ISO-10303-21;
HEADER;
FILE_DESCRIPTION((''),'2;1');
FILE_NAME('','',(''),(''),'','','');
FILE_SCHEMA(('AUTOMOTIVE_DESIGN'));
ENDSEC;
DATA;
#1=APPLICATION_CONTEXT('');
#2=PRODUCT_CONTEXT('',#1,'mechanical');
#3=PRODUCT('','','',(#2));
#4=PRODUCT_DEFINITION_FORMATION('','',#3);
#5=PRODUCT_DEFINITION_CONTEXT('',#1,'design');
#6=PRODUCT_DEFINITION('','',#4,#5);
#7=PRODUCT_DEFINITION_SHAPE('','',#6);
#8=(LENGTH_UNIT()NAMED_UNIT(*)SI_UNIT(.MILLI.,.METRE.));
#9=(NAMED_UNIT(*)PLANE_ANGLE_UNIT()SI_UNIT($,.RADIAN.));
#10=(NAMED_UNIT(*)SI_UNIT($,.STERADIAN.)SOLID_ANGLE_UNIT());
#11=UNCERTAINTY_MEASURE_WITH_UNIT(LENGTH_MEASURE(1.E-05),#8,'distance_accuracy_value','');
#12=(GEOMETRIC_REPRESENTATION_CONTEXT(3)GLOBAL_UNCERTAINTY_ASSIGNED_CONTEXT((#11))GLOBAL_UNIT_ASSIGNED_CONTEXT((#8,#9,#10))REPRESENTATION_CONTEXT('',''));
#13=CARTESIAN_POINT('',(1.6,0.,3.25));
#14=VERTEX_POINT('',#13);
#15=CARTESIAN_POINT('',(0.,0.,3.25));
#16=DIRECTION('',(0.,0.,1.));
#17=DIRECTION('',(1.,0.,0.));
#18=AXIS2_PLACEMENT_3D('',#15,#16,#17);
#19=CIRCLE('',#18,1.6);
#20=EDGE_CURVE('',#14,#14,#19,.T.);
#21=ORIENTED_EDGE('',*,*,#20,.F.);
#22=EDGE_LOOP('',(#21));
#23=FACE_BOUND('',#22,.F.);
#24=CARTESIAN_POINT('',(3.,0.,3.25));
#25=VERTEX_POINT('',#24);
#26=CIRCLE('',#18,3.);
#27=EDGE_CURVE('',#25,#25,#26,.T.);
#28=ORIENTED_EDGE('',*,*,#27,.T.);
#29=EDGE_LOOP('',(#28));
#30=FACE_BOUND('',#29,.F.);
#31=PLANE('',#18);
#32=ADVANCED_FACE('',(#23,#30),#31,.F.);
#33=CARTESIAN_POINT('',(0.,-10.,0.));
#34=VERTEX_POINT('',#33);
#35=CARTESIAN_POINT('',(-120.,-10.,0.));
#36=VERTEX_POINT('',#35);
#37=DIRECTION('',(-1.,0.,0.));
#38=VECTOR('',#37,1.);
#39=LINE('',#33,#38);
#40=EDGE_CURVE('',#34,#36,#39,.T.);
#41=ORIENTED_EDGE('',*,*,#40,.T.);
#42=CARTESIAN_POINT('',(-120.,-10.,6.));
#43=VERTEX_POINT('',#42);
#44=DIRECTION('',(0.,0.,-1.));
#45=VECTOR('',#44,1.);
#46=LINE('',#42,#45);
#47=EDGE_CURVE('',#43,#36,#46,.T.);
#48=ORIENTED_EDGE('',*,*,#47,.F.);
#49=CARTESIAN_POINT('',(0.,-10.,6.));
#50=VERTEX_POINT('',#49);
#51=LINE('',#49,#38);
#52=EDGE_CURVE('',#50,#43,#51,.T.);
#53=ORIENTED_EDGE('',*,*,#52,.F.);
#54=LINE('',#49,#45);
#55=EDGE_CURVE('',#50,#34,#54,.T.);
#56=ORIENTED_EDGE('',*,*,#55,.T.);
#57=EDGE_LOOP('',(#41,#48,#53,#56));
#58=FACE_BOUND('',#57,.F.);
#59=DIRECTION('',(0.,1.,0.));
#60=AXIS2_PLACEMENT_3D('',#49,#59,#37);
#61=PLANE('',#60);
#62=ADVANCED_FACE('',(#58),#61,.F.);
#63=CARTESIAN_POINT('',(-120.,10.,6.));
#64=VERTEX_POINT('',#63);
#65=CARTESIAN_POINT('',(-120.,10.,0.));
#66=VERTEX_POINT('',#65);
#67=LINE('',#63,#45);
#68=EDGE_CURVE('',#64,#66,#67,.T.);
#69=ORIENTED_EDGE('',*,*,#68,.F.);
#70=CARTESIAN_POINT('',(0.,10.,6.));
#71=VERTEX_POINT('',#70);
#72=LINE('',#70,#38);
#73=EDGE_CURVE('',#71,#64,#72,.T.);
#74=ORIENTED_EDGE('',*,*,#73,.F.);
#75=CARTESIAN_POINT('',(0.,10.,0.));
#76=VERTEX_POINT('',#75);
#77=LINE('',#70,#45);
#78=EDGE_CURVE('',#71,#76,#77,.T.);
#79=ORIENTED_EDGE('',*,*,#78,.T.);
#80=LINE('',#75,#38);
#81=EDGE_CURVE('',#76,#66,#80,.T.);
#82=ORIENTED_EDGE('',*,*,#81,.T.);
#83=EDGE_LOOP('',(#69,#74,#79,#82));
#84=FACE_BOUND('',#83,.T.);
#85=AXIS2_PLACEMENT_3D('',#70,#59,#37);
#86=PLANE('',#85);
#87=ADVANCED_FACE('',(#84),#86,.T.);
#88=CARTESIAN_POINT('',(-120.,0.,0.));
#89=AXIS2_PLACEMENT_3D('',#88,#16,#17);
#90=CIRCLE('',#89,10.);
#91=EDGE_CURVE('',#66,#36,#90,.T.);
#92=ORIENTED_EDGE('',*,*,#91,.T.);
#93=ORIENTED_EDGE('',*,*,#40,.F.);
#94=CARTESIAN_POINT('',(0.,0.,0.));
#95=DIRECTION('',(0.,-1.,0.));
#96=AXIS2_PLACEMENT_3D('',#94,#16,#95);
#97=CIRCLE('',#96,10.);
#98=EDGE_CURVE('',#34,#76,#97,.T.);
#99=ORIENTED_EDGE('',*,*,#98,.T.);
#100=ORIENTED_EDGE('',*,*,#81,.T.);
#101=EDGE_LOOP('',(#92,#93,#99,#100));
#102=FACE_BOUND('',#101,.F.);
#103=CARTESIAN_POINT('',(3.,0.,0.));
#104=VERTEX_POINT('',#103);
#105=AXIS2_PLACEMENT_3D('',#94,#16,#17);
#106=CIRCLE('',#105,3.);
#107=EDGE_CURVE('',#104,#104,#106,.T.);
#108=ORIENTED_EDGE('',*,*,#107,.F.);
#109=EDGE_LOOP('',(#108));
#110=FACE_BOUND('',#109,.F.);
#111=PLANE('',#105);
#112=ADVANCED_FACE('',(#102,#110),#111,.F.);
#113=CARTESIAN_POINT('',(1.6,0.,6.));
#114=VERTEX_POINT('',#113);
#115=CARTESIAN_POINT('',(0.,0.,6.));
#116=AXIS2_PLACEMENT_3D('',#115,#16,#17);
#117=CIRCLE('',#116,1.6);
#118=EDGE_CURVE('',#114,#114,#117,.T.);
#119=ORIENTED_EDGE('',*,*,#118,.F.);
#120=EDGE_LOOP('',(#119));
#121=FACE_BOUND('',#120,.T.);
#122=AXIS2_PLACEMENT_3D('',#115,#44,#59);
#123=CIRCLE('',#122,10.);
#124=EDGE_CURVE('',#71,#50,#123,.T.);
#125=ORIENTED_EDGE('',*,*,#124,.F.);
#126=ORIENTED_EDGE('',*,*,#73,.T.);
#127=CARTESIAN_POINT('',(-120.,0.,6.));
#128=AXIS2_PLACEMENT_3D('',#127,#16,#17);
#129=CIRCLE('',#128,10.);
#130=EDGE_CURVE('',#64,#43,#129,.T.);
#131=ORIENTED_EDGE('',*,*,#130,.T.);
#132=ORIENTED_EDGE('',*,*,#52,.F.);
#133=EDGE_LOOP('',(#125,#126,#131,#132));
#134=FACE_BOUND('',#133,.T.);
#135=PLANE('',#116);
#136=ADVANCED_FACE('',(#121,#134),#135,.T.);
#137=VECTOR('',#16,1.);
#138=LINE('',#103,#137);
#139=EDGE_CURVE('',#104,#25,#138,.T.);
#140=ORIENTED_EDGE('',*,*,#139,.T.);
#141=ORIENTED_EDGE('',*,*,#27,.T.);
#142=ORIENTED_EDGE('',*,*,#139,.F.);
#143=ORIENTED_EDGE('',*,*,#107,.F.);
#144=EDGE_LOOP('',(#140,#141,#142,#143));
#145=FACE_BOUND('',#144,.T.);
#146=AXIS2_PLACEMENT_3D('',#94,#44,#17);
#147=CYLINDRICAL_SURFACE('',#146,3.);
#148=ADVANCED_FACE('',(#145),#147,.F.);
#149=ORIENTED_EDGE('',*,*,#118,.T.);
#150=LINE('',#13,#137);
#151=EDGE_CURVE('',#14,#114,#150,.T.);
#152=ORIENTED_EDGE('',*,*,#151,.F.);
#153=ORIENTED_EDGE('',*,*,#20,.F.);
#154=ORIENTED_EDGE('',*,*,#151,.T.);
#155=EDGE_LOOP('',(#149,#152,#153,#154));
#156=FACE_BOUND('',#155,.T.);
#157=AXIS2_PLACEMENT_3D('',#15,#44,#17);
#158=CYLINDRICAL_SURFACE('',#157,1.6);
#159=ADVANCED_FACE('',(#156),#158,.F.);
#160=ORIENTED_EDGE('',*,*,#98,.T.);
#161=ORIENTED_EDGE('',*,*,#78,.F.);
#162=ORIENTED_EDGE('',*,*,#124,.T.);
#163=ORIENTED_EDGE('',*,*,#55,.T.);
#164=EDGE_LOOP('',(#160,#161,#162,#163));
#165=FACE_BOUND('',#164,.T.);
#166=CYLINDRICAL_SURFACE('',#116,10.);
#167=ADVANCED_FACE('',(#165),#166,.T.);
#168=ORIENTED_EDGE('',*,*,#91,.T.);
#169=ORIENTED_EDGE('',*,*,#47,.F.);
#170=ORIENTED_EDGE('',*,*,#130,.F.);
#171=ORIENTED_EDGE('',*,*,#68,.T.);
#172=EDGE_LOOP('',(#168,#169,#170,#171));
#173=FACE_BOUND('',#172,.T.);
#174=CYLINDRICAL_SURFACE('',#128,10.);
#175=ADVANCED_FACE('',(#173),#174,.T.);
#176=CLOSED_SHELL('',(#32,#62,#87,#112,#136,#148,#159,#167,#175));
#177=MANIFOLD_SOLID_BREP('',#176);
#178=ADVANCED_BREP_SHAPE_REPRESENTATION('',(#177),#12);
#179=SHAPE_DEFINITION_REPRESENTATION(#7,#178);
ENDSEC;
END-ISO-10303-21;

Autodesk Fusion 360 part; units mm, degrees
sketch "Sketch4" plane through (0, 0, 0) normal (0, 0, 1) x (1, 0, 0)
  circle A0 centre (0, 0) radius 3
  circle A1 centre (0, 0) radius 6
  dimension "d9" = 6
  dimension "d10" = 3
extrude "Extrude2" add sketch "Sketch4" along normal blind 3.25
sketch "Sketch5" plane through (0, 0, 3.25) normal (0, 0, 1) x (1, 0, 0)
  circle A0 centre (0, 0) radius 3
  circle A1 centre (0, 0) radius 6
  circle A2 centre (0, 0) radius 1.6
  dimension "d13" = 3.2
extrude "Extrude3" add sketch "Sketch5" along normal blind 2.75 contours A0 | A1
sketch "Sketch8" plane through (0, 0, 6) normal (0, 0, 1) x (1, 0, 0)
  circle A0 centre (0, 0) radius 1.6
  circle A1 centre (0, 0) radius 6
  circle A2 centre (0, 0) radius 10
  line L0 (0, -10) -> (0, 10) construction
  line L1 (0, -10) -> (-120, -10)
  line L2 (0, 10) -> (-120, 10)
  circle A3 centre (-120, 0) radius 10
  line L3 (-120, -10) -> (-120, 10) construction
  dimension "d30" = 20
  dimension "d31" = 120
  dimension "d32" = 120
extrude "Extrude5" add sketch "Sketch8" against normal up to surface (6 mm away) contours A2 | A2 L1 L2 A3 | A3
